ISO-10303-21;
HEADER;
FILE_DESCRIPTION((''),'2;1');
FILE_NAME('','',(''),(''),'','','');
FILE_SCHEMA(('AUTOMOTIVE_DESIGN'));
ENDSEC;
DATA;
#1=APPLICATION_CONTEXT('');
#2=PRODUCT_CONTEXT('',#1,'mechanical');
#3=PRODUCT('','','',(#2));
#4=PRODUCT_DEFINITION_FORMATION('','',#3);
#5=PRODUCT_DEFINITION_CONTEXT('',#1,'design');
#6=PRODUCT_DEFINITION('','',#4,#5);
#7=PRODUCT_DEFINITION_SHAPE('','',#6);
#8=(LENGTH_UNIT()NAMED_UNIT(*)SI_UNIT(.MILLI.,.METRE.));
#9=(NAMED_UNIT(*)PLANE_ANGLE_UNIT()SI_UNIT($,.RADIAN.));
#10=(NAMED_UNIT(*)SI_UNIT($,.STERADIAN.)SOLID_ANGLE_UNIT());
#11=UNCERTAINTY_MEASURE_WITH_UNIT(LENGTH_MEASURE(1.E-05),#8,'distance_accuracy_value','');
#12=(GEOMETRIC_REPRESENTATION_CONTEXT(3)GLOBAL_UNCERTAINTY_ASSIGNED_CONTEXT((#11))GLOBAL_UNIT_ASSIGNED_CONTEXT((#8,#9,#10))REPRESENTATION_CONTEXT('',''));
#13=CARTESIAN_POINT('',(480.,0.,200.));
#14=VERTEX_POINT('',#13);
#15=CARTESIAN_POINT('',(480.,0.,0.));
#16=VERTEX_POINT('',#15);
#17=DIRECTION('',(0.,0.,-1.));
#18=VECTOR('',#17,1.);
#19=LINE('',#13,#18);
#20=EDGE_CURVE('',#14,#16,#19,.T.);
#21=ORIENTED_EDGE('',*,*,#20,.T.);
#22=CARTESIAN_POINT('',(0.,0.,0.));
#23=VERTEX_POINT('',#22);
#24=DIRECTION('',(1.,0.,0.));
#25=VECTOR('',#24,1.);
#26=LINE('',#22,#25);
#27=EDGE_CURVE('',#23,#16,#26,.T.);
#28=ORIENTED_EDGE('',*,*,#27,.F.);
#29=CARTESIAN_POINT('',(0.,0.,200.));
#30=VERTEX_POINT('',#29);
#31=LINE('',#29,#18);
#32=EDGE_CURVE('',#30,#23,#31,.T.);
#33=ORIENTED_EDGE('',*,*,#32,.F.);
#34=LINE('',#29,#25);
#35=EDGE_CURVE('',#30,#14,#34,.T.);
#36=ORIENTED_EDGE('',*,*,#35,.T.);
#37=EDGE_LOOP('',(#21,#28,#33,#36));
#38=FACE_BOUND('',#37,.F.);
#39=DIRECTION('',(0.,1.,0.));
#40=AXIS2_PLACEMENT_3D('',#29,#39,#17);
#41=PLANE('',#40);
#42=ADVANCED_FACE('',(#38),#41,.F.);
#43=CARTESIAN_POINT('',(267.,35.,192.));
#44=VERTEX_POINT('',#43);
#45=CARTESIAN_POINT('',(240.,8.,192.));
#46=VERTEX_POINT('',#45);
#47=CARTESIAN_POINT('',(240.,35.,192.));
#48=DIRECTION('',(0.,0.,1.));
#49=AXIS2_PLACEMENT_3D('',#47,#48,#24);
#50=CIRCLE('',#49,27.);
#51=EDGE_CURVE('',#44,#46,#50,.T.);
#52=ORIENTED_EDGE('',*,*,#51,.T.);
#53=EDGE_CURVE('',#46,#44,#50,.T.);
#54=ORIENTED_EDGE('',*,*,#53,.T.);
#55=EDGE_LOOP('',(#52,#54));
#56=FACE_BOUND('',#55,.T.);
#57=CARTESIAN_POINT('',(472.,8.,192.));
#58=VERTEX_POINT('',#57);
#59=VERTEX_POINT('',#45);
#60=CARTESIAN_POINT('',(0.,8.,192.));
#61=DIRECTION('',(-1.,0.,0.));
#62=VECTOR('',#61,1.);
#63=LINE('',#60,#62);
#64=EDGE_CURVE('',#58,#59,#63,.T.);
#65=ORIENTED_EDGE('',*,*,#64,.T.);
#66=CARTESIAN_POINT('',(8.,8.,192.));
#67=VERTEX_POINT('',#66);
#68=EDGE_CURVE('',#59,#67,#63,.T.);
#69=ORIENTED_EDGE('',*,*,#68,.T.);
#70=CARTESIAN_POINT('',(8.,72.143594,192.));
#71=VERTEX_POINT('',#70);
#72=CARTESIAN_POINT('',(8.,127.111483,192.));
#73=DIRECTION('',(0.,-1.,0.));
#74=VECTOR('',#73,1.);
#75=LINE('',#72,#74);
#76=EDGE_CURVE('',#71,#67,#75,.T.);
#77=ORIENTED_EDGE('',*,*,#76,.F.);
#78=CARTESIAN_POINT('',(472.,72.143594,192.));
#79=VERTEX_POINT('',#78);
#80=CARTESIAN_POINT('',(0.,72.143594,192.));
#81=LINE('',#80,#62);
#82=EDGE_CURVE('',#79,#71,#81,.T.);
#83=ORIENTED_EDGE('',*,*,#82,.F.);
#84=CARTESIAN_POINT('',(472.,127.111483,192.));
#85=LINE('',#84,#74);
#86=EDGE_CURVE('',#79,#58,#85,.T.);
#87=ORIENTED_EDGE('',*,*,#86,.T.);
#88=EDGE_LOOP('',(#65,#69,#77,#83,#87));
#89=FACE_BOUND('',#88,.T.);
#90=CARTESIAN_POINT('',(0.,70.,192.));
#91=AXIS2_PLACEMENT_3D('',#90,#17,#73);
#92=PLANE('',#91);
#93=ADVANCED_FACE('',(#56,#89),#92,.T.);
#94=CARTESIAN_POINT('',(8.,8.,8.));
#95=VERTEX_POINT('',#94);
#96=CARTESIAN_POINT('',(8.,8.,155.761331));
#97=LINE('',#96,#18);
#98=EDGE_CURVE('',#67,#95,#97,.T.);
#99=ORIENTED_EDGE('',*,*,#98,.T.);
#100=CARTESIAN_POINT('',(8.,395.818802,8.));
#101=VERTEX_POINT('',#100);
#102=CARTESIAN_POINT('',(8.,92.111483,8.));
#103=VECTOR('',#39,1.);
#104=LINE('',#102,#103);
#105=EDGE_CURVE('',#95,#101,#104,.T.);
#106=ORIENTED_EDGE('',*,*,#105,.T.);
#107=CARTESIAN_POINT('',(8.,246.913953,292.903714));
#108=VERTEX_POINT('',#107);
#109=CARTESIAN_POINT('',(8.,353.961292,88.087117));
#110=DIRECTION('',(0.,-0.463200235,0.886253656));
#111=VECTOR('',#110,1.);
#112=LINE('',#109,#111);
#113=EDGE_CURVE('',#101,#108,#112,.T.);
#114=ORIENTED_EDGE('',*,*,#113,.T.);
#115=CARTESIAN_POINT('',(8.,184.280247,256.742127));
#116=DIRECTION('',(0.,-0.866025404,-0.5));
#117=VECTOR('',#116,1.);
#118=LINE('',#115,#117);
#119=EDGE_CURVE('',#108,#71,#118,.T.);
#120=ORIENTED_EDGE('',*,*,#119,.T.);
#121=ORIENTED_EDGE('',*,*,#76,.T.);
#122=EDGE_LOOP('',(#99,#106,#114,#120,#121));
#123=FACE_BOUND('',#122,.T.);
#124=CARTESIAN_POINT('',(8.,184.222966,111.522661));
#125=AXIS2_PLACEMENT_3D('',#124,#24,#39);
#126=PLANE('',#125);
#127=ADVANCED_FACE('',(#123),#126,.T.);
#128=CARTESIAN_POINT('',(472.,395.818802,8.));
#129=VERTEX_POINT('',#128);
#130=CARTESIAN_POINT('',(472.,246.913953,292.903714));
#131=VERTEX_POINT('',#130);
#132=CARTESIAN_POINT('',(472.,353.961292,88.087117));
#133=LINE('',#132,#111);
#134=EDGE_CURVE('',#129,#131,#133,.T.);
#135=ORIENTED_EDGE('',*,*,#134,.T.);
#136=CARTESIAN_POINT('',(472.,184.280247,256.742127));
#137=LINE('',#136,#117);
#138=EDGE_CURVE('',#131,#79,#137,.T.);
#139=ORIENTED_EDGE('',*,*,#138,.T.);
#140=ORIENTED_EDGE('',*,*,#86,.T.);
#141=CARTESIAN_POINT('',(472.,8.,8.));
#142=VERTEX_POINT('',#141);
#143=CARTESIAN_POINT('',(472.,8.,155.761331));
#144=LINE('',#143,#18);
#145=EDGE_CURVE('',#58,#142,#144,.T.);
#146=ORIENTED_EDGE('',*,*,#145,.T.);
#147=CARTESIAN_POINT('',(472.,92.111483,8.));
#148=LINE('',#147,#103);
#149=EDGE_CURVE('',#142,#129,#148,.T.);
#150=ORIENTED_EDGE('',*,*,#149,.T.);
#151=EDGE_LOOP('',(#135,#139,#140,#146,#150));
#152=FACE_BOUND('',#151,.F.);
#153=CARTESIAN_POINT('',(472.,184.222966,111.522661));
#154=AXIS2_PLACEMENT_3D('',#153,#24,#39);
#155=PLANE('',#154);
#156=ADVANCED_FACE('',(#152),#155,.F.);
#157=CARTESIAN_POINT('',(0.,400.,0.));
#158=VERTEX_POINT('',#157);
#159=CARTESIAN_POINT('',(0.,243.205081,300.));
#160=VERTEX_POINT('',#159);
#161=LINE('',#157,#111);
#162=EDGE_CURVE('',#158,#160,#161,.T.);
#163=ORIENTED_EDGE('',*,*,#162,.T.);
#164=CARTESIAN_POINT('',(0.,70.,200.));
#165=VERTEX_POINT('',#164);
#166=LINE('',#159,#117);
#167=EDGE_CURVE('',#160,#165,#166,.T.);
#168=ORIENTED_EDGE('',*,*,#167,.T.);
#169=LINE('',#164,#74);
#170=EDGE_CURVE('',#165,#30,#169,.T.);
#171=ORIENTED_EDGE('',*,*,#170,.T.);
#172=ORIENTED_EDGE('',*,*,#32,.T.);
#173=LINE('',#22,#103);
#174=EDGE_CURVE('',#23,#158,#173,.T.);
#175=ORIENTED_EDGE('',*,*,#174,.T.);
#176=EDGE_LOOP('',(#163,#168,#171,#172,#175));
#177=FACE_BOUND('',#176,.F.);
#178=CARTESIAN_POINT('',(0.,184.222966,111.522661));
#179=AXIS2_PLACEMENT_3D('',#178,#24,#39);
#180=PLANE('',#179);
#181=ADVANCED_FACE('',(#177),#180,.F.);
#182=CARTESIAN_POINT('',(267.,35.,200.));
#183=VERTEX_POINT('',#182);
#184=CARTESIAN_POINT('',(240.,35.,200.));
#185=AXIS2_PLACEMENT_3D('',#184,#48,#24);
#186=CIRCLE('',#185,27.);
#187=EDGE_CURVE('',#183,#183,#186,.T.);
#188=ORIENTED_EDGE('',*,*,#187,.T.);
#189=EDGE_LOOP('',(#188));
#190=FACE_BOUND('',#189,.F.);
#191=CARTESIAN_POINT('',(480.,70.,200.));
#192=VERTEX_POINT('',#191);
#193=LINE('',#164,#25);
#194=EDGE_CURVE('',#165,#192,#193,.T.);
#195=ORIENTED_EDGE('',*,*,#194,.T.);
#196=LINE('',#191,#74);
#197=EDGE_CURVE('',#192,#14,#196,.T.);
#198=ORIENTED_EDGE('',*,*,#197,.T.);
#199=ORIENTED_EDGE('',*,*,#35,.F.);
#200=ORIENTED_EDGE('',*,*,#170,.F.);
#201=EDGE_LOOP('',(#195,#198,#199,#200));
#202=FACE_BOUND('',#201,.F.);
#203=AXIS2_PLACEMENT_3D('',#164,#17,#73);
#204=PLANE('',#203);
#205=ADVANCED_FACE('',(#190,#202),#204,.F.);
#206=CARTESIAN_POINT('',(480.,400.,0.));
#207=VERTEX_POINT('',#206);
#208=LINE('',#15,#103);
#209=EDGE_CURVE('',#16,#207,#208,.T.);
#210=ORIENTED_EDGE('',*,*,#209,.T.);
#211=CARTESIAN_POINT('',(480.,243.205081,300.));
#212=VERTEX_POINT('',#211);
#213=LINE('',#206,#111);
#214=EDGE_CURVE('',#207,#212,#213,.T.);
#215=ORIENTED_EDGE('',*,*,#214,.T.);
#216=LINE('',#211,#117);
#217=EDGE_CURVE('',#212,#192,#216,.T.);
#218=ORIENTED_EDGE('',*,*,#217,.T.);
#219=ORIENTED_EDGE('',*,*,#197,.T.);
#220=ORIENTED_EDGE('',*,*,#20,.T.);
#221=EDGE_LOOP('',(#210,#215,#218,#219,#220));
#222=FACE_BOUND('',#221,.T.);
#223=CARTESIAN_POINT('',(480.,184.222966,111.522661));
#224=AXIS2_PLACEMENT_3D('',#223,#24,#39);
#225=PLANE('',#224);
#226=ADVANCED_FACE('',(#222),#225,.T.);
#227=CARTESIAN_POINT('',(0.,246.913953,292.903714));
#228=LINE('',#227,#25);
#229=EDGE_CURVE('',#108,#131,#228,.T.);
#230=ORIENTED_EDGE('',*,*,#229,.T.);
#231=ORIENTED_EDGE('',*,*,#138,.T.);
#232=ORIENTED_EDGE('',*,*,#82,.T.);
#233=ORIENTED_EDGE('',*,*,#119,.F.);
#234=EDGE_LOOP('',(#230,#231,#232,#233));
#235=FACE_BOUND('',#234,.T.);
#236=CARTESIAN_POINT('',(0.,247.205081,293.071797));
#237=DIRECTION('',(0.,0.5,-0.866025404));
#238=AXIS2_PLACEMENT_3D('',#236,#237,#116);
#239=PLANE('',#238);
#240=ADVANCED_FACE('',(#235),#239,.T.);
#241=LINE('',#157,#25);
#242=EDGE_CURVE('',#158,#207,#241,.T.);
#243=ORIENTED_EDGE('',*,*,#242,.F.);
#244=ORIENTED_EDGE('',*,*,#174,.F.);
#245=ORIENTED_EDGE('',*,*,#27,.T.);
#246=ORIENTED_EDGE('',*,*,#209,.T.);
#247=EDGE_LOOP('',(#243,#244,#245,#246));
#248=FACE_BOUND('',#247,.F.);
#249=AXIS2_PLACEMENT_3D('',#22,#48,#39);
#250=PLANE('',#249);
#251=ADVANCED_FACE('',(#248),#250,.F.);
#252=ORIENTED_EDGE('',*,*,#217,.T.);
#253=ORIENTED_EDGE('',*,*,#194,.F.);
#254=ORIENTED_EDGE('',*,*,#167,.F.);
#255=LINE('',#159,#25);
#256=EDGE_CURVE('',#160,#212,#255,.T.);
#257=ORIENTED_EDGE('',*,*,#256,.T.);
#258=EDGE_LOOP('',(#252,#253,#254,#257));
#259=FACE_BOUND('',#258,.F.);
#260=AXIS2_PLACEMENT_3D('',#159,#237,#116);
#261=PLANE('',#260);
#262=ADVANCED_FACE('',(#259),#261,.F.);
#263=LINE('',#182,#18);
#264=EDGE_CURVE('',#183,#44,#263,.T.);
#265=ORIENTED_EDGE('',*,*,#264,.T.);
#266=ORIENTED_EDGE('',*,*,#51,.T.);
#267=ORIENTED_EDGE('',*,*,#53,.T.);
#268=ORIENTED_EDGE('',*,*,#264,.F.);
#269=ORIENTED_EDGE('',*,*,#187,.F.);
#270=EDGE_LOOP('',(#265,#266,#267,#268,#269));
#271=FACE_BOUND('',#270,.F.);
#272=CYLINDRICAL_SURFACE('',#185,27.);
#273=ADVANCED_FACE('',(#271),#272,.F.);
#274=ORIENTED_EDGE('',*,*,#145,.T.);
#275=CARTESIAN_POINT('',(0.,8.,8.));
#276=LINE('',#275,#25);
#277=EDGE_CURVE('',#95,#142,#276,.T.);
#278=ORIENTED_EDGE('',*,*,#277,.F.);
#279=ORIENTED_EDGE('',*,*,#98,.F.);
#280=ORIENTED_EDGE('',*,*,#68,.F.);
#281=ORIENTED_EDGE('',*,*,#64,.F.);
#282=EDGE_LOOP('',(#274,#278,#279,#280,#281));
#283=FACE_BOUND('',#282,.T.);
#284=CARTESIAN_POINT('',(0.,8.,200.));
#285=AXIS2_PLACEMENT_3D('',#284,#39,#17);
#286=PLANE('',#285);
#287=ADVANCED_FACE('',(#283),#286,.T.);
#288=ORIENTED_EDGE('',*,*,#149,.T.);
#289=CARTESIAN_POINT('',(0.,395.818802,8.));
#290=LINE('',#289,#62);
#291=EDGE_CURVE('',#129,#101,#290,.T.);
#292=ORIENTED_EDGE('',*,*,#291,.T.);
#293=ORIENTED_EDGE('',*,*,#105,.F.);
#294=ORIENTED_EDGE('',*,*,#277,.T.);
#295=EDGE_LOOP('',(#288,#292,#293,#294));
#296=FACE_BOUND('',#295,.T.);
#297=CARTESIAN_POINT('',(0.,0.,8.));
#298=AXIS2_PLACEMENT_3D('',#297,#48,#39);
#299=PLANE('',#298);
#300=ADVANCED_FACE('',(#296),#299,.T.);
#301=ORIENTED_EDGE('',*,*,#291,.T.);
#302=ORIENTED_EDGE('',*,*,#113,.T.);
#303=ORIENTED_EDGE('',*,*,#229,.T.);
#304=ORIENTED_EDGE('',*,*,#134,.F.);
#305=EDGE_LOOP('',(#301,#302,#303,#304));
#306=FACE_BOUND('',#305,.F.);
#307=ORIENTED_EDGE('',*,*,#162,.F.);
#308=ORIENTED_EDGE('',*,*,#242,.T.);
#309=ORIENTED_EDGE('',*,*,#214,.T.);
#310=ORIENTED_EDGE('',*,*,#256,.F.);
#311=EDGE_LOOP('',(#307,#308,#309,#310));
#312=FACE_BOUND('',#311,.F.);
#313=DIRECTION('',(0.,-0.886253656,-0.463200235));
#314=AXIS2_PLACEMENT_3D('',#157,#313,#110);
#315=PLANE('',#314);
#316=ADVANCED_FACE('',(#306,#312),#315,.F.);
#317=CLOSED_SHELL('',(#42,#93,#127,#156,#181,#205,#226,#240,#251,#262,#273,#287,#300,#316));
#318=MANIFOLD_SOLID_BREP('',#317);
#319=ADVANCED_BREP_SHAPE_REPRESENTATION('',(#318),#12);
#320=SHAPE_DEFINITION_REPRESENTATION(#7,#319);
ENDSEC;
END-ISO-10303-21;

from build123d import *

# Parameters (mm, degrees)
F1_DEPTH = 480
F2_T     = -8
F3_R     = 27
F4_DEPTH = 25


with BuildPart() as f1:
    # F0 (on Right) → F1 (new body)
    with BuildSketch(Plane.YZ):
        Polygon((0, 200), (0, 0), (400, 0), (243.2050807569, 300), (70, 200), align=None)
    extrude(amount=F1_DEPTH)

    # F2
    f2_openings = [f1.faces().sort_by_distance(p)[0] for p in [
        (240, 321.60254, 150),
    ]]
    offset(amount=F2_T, openings=f2_openings, kind=Kind.INTERSECTION)

    # F3 (on face) → F4 (cut)
    with BuildSketch(Plane.XY.offset(200)):
        with Locations((240, 35)):
            Circle(F3_R)
    extrude(amount=-F4_DEPTH, mode=Mode.SUBTRACT)


solid = f1.part
